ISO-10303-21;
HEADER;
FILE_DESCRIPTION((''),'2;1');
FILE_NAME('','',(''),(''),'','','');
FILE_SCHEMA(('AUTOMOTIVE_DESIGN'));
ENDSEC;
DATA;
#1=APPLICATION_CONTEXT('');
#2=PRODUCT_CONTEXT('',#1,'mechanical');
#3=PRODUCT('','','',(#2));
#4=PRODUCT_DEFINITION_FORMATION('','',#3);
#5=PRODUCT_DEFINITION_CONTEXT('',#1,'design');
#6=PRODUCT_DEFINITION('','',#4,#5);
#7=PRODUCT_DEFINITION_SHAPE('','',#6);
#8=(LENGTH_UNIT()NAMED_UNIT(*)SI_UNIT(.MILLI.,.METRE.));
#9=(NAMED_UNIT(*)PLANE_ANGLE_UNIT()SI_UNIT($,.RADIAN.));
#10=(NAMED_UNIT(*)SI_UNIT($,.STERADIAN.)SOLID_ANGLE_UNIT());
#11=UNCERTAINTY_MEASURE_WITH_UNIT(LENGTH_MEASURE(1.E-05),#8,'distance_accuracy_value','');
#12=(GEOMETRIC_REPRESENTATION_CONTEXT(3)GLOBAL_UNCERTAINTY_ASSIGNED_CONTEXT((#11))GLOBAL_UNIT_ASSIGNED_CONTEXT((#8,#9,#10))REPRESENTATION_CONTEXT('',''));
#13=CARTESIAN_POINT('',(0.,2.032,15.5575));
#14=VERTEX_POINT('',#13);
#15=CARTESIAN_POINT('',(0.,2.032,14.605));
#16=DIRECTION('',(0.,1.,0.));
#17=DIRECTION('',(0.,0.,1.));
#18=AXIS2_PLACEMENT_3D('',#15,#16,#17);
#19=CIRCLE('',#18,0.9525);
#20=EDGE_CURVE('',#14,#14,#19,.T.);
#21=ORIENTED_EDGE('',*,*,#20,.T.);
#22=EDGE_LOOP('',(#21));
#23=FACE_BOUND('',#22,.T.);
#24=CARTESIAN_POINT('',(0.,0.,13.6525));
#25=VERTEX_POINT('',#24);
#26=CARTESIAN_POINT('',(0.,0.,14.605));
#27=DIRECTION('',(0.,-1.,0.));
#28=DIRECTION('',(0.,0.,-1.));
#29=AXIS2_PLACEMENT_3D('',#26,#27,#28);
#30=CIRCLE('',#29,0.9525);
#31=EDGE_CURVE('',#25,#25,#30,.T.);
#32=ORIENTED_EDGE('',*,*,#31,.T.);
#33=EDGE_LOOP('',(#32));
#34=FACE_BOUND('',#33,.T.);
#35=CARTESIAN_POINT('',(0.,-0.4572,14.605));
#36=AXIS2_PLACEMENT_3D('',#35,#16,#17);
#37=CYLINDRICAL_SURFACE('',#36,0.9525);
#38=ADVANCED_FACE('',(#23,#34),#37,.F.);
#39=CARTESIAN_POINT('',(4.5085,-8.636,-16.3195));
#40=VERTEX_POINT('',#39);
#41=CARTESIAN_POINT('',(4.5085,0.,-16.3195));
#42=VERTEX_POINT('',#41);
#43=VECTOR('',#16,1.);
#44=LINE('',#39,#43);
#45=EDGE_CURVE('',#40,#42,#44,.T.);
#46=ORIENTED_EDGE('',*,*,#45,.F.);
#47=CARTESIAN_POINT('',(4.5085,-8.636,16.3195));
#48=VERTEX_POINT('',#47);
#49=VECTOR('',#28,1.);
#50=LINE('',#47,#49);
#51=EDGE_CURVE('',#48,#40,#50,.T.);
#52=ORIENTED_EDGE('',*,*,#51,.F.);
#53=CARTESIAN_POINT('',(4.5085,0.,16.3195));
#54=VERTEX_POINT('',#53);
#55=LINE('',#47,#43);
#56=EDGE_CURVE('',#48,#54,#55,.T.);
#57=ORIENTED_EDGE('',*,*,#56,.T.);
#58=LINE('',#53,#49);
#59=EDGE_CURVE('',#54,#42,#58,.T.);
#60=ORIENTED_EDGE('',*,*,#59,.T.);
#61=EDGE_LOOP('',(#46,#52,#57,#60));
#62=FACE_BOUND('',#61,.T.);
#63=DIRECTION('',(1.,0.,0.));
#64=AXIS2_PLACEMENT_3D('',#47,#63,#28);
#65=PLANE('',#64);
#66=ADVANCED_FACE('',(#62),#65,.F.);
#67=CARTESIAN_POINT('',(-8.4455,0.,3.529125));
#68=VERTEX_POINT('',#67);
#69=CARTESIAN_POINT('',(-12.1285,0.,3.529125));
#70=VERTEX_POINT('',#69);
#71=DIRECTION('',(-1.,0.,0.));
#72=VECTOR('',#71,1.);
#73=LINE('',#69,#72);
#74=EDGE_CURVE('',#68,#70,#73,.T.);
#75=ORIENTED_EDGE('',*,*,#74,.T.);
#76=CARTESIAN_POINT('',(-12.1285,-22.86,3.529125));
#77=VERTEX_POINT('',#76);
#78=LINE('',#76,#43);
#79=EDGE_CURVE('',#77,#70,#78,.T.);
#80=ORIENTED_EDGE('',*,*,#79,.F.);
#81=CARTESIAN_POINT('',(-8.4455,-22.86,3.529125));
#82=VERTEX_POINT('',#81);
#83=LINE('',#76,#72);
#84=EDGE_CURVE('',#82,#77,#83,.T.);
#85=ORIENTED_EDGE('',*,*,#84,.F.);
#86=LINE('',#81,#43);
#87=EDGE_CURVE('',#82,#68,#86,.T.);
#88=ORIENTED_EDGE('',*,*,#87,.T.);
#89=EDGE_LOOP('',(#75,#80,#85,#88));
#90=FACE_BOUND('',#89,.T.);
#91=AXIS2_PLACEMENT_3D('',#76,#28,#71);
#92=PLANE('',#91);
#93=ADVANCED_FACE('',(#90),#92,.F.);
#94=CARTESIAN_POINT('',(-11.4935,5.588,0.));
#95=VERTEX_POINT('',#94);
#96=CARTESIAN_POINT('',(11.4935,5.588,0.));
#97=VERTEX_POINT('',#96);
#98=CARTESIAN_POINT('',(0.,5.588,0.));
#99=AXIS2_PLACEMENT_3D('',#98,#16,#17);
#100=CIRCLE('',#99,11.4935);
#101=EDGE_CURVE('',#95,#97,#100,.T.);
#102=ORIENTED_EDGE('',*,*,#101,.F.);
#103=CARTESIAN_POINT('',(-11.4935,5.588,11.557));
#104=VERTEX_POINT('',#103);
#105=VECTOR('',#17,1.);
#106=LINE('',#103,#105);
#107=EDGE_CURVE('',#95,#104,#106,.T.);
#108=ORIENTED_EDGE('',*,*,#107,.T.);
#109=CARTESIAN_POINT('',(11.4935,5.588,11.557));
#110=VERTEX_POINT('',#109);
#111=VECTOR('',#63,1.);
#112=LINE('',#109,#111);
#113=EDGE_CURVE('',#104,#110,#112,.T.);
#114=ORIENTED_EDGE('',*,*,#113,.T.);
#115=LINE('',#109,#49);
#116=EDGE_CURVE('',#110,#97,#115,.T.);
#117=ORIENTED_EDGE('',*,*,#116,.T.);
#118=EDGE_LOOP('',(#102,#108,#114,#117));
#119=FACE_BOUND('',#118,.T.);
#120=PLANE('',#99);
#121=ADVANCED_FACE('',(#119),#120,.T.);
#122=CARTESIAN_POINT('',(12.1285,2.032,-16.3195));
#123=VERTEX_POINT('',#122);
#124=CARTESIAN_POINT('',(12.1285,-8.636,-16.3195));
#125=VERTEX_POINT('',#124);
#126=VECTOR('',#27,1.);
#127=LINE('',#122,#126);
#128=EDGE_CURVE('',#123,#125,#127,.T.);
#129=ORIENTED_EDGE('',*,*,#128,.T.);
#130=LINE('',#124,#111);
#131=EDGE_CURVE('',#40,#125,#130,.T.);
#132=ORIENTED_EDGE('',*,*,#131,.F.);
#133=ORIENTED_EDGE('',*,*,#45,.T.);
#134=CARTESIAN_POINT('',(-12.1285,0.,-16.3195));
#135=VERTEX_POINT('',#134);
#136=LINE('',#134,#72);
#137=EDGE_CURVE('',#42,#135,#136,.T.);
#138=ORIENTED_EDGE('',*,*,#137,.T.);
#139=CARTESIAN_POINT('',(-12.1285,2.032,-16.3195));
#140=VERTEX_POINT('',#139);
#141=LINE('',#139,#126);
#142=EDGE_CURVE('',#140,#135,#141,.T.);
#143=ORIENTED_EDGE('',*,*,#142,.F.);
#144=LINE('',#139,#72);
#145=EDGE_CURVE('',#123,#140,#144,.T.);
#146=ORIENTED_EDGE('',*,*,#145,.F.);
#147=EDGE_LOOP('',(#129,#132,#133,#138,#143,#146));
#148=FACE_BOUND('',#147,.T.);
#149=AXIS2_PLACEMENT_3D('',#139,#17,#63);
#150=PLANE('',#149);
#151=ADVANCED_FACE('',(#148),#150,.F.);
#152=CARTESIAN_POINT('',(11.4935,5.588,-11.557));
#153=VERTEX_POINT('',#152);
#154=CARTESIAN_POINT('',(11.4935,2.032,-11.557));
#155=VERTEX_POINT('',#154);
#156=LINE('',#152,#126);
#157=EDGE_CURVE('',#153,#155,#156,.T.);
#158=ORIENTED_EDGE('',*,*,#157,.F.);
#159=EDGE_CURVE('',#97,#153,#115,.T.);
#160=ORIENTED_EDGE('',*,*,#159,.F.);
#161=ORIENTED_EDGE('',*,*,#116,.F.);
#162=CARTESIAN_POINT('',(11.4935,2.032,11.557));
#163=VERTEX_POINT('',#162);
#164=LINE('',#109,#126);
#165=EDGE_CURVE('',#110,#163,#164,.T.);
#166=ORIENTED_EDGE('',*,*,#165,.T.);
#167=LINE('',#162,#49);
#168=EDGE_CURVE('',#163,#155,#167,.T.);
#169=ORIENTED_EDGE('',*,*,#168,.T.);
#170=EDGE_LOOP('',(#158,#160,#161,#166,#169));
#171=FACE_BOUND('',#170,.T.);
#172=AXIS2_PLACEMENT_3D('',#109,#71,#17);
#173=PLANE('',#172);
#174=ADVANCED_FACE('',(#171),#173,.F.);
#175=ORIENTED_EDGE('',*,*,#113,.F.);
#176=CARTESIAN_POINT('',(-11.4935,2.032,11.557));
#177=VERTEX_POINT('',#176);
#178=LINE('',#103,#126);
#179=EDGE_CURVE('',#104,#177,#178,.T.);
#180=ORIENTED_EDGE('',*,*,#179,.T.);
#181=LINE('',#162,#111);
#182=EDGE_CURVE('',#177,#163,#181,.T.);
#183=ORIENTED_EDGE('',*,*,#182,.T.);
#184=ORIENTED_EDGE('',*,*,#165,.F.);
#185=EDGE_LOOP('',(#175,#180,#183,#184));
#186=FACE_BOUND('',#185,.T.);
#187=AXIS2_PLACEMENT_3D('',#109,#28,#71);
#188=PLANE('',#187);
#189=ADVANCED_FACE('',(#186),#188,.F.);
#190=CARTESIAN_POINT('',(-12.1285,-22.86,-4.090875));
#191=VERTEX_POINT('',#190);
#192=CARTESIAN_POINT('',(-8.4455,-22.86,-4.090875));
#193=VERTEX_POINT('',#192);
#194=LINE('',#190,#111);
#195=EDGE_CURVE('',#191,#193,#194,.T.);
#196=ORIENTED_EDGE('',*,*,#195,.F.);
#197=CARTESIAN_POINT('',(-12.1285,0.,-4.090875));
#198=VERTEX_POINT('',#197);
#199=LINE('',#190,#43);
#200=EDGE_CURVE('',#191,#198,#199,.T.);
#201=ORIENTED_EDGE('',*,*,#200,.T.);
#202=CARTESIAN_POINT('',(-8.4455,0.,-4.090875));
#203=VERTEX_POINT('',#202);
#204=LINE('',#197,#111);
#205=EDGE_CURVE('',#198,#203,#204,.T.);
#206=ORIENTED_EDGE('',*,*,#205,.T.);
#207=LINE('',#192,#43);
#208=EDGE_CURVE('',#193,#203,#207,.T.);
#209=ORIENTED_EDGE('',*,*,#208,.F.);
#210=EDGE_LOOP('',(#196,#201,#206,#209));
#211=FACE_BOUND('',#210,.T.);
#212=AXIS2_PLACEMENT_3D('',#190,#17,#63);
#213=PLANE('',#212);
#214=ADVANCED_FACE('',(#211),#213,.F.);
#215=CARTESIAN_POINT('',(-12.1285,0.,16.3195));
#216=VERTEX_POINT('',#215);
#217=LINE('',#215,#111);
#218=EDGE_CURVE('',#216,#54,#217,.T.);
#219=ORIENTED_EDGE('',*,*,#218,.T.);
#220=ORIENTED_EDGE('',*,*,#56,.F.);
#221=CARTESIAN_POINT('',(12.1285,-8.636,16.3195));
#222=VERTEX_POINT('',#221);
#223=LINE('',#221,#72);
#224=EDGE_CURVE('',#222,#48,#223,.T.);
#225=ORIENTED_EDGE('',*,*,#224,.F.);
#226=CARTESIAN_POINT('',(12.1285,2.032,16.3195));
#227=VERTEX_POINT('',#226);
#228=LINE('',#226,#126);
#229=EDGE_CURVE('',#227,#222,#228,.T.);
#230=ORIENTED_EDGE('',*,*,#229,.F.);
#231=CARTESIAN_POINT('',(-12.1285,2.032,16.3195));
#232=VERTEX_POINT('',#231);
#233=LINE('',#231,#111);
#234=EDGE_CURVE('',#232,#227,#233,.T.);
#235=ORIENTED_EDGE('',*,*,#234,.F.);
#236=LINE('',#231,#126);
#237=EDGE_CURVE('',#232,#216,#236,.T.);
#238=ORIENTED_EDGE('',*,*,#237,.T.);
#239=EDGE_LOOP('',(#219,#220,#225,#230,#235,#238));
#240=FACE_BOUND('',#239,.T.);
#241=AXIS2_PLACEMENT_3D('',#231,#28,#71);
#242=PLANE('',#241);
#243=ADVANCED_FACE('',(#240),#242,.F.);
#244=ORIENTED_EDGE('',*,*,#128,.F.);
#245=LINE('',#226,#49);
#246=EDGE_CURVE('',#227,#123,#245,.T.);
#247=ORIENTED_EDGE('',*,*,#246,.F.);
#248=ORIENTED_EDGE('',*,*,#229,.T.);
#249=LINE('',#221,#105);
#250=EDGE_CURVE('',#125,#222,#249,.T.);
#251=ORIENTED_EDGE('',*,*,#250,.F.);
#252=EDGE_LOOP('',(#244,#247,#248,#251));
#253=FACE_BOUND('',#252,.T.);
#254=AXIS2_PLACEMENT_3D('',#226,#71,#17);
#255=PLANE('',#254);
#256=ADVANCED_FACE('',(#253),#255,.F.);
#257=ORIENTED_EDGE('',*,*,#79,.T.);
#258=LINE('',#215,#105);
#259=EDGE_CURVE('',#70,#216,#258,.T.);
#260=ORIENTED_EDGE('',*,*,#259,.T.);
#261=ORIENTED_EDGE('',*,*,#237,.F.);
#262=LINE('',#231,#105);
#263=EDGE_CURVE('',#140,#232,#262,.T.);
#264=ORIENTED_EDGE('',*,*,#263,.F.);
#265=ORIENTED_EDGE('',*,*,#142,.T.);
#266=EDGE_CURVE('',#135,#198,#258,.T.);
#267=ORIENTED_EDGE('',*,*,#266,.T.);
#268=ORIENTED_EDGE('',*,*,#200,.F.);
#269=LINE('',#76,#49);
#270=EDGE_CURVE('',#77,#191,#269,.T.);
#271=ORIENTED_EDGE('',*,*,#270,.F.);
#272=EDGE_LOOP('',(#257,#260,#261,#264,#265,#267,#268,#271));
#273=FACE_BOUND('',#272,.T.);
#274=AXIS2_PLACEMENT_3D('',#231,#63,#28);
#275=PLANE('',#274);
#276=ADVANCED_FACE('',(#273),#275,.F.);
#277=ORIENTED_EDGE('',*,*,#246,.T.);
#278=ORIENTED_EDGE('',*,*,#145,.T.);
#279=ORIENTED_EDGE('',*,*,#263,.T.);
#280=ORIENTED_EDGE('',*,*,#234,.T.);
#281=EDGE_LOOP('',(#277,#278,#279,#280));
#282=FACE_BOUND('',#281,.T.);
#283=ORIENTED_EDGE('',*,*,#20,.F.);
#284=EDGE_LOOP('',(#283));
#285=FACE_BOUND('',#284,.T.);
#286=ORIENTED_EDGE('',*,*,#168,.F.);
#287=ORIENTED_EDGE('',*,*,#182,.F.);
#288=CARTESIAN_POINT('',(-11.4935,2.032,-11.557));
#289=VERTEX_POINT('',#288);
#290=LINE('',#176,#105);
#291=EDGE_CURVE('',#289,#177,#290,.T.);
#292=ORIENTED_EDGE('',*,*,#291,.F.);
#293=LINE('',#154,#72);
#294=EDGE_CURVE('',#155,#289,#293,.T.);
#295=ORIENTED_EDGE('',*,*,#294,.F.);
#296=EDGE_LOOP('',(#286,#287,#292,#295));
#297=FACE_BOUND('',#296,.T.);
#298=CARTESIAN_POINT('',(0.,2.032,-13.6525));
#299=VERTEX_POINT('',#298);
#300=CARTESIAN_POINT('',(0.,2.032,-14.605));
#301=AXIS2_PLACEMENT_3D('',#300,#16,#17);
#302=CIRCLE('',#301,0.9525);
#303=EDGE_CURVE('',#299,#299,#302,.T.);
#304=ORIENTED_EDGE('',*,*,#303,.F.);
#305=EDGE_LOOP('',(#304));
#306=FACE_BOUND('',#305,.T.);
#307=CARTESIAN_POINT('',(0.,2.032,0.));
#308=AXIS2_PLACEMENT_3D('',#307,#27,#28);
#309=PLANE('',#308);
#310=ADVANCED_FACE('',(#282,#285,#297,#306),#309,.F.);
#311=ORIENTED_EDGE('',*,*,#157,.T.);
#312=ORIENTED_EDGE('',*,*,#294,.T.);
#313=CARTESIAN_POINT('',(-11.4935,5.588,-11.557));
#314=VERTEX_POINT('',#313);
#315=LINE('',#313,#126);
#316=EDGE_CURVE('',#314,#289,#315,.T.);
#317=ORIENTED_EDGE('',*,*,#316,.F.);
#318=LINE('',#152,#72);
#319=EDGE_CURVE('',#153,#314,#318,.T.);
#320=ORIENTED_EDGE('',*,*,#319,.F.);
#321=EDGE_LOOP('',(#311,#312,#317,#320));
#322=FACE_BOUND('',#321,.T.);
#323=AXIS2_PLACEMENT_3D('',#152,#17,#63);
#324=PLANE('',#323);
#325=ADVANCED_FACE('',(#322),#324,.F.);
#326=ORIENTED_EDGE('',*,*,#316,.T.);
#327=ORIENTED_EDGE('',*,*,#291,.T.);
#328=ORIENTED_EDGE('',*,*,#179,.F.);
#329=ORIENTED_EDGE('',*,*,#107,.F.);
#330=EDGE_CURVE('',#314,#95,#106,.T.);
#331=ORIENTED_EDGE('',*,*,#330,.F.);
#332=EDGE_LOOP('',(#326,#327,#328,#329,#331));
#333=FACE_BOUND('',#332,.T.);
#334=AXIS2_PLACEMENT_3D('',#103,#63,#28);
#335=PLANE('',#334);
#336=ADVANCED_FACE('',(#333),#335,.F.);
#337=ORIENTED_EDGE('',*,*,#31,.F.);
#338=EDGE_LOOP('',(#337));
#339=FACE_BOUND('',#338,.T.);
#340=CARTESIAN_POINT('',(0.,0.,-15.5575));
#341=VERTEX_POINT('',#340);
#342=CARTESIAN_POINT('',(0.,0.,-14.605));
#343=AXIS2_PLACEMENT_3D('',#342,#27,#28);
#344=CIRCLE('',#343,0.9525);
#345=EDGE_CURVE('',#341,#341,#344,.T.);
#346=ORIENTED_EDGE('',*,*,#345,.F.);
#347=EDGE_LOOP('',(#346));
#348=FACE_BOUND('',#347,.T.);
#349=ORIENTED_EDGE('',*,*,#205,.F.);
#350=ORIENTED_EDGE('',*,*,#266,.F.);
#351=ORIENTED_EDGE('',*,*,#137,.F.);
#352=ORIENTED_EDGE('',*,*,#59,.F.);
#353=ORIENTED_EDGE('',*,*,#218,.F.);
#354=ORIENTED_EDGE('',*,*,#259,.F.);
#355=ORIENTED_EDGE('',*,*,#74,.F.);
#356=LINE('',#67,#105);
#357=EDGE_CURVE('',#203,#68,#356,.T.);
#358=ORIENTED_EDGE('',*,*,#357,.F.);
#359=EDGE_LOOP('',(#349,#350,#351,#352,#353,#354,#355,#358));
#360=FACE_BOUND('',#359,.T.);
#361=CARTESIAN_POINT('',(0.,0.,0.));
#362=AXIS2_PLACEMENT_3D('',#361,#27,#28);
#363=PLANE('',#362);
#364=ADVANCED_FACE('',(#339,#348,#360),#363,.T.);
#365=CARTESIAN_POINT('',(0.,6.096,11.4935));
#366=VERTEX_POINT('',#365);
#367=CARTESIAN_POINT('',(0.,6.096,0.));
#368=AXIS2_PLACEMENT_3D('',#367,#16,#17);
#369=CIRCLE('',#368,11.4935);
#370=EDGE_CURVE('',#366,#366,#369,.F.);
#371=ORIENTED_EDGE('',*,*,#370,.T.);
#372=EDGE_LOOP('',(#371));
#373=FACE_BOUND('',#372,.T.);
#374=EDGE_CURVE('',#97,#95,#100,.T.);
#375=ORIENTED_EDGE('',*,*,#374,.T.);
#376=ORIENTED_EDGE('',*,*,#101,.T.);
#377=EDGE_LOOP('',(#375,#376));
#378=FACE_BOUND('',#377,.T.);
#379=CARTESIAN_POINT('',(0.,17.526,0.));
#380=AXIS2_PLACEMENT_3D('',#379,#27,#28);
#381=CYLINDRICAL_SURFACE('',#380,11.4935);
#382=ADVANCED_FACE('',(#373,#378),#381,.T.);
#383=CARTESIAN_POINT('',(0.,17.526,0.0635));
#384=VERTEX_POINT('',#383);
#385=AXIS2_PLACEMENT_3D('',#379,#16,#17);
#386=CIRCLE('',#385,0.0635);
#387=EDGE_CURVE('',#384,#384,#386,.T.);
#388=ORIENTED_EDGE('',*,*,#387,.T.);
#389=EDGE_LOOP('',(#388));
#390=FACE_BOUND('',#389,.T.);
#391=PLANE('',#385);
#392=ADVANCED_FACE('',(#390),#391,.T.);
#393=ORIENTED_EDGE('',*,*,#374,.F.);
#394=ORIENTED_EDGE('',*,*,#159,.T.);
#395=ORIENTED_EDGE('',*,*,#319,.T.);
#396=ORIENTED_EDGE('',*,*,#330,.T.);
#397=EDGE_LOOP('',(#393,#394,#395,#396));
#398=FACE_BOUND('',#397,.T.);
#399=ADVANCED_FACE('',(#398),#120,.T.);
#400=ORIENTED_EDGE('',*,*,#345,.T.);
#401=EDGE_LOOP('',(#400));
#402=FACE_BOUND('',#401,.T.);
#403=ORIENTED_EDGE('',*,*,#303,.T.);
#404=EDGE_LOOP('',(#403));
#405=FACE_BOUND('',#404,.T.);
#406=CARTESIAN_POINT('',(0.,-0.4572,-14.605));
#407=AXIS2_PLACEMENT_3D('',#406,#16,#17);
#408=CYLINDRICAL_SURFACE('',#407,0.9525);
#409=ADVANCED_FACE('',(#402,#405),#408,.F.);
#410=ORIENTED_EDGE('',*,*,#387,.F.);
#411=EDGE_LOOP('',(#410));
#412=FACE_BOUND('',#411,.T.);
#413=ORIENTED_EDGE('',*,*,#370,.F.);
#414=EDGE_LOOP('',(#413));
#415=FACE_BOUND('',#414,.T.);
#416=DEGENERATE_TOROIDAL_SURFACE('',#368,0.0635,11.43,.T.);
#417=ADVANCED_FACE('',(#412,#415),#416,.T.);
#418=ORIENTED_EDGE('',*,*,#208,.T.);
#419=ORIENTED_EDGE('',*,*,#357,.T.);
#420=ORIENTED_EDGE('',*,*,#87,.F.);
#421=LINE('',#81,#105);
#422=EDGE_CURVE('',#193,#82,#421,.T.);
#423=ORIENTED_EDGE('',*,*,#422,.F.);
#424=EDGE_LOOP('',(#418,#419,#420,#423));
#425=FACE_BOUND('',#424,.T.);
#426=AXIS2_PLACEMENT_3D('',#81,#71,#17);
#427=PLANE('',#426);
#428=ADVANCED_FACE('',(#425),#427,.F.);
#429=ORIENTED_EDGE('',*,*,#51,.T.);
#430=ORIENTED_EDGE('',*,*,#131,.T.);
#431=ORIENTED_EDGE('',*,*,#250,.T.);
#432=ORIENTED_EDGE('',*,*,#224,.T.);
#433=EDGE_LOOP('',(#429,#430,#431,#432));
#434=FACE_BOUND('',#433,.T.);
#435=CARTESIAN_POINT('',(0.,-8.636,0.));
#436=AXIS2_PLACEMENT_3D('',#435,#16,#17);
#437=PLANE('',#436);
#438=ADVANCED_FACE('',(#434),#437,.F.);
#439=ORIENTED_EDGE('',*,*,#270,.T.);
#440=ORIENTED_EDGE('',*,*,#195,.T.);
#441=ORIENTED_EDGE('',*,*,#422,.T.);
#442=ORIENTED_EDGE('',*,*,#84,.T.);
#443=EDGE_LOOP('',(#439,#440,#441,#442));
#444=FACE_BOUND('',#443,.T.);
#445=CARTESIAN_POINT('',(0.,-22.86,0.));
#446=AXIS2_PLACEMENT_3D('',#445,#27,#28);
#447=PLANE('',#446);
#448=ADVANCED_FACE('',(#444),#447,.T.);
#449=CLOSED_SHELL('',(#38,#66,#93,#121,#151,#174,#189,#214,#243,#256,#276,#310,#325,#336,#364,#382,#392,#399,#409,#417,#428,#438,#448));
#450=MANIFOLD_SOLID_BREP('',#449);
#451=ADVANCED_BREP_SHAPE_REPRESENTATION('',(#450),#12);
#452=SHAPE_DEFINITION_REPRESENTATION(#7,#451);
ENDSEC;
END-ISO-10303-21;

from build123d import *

# Parameters (mm, degrees)
SKETCH1_W           = 24.257
SKETCH1_H           = 32.639
BOSS_EXTRUDE1_DEPTH = 2.032
SKETCH2_R           = 0.9525
CUT_EXTRUDE1_DEPTH  = 2.4892
SKETCH3_W           = 22.987
SKETCH3_H           = 23.114
BOSS_EXTRUDE2_DEPTH = 3.556
SKETCH4_R           = 11.4935
BOSS_EXTRUDE3_DEPTH = 11.938
FILLET1_R           = 11.43
SKETCH5_W           = 7.62
SKETCH5_H           = 32.639
BOSS_EXTRUDE4_DEPTH = 8.636
SKETCH6_W           = 3.683
SKETCH6_H           = 7.62
BOSS_EXTRUDE5_DEPTH = 22.86


with BuildPart() as part:
    # Sketch1 → Boss-Extrude1 (new body)
    with BuildSketch(Plane(origin=(0, 0, 0), x_dir=(1, 0, 0), z_dir=(0, 1, 0))):
        Rectangle(SKETCH1_W, SKETCH1_H)
    extrude(amount=BOSS_EXTRUDE1_DEPTH)

    # Sketch2 → Cut-Extrude1 (cut)
    with BuildSketch(Plane(origin=(0, 2.032, 0), x_dir=(1, 0, 0), z_dir=(0, 1, 0))):
        with Locations(Location((0, 14.605, 0), (0, 0, 270))):
            Circle(SKETCH2_R)
        with Locations(Location((0, -14.605, 0), (0, 0, 270))):
            Circle(SKETCH2_R)
    extrude(amount=-CUT_EXTRUDE1_DEPTH, mode=Mode.SUBTRACT)

    # Sketch3 → Boss-Extrude2 (add)
    with BuildSketch(Plane(origin=(0, 2.032, 0), x_dir=(1, 0, 0), z_dir=(0, 1, 0))):
        Rectangle(SKETCH3_W, SKETCH3_H)
    extrude(amount=BOSS_EXTRUDE2_DEPTH)

    # Sketch4 → Boss-Extrude3 (add)
    with BuildSketch(Plane(origin=(0, 5.588, 0), x_dir=(1, 0, 0), z_dir=(0, 1, 0))):
        with Locations(Location((0, 0, 0), (0, 0, 180))):
            Circle(SKETCH4_R)
    extrude(amount=BOSS_EXTRUDE3_DEPTH)

    # Fillet1
    fillet1_edges = [part.edges().sort_by_distance(p)[0] for p in [
        (11.4935, 17.526, 0),
    ]]
    fillet(fillet1_edges, radius=FILLET1_R)

    # Sketch5 → Boss-Extrude4 (add)
    with BuildSketch(Plane.XZ):
        with Locations((8.3185, 0)):
            Rectangle(SKETCH5_W, SKETCH5_H)
    extrude(amount=BOSS_EXTRUDE4_DEPTH)

    # Sketch6 → Boss-Extrude5 (add)
    with BuildSketch(Plane.XZ):
        with Locations((-10.287, -0.28087532)):
            Rectangle(SKETCH6_W, SKETCH6_H)
    extrude(amount=BOSS_EXTRUDE5_DEPTH)


solid = part.part
